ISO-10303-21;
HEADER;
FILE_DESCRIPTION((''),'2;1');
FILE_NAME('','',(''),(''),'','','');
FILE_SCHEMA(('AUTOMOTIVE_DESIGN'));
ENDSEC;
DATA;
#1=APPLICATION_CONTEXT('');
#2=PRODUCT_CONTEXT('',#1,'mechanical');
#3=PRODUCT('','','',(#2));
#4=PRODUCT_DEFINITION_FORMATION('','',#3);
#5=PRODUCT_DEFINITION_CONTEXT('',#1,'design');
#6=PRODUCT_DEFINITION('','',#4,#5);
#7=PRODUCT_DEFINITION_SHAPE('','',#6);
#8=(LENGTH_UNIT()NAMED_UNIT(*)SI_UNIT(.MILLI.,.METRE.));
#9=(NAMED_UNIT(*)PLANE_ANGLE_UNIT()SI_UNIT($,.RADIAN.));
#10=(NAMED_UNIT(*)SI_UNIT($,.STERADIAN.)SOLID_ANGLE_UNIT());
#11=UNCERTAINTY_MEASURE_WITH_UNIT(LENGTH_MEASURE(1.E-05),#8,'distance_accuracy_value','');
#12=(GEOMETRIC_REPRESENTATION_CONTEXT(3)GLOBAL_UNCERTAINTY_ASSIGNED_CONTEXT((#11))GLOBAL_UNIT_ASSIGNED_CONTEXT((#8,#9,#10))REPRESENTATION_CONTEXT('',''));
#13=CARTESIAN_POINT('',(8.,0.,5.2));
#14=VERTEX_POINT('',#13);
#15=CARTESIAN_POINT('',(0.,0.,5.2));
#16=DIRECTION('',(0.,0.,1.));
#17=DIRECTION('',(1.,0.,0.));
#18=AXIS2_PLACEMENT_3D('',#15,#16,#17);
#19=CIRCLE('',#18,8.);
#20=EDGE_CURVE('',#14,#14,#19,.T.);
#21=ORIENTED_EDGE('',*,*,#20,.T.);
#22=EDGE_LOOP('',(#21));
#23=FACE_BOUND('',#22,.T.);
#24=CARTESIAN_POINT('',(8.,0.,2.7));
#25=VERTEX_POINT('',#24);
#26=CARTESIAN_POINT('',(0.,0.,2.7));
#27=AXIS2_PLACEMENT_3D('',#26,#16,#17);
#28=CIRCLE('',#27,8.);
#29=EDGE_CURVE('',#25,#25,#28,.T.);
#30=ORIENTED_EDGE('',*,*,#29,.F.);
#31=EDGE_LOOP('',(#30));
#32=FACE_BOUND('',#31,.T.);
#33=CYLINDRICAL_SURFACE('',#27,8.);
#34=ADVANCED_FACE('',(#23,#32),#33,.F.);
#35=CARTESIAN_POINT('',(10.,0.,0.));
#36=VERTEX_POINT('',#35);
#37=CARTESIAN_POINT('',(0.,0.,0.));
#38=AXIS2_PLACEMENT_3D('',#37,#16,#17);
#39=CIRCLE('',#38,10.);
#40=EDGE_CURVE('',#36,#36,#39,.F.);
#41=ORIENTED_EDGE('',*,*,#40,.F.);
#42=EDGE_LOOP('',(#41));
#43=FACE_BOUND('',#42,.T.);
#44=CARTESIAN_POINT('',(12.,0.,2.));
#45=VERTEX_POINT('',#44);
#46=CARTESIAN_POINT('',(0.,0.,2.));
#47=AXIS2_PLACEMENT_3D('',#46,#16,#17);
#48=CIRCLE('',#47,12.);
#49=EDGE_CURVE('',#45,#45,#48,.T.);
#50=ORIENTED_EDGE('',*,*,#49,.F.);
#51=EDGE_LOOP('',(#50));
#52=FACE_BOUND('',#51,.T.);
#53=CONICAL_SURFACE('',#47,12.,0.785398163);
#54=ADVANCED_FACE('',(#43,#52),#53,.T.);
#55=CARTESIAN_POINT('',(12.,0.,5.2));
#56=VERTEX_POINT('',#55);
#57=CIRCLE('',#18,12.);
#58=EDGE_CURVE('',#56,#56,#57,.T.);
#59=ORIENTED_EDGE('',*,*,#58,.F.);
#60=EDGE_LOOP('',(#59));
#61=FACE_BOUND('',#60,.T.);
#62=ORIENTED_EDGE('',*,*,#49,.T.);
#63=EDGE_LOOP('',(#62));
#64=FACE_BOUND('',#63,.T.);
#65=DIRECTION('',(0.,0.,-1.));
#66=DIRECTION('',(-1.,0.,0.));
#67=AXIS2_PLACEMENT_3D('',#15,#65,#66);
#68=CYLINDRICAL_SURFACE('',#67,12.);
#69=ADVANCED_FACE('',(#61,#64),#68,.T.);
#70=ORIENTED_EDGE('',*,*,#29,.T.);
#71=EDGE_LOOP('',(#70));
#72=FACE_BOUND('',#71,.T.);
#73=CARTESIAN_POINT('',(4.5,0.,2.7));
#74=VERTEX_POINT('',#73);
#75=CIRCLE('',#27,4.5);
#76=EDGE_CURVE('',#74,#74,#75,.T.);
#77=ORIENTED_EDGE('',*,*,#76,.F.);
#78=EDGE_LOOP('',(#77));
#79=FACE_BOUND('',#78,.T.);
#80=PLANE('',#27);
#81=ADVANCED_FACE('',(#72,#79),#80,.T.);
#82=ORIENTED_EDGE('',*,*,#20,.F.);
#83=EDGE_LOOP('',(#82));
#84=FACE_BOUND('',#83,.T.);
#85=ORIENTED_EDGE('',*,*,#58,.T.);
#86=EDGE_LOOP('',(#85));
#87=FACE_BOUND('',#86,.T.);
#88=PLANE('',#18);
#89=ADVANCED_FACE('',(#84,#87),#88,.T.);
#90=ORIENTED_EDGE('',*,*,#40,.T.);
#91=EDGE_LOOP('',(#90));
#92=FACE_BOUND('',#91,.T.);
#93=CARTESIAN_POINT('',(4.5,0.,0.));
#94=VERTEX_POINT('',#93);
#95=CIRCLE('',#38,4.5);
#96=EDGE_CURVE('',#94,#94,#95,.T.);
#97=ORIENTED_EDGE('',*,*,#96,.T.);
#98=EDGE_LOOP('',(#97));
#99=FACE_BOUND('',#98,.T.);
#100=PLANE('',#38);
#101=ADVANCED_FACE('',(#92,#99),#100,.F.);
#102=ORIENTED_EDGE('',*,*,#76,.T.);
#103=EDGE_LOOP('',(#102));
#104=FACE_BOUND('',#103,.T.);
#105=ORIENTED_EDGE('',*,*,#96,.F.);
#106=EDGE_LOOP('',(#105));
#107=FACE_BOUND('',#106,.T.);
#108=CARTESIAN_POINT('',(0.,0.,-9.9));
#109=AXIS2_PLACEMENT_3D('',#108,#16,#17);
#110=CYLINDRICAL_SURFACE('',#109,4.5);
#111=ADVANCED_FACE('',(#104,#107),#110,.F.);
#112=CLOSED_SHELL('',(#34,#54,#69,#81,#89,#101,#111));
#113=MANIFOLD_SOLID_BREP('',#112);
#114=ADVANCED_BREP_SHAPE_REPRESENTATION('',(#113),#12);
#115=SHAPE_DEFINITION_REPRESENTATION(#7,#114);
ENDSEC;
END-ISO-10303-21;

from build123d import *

# Parameters (mm, degrees)
IZIM4_R                     = 12
Y_KSEKLIK_EKSTR_ZYON3_DEPTH = 5.2
IZIM6_R                     = 8
KES_EKSTR_ZYON2_DEPTH       = 2.5
IZIM7_R                     = 4.5
KES_EKSTR_ZYON3_DEPTH       = 12.6
PAH3_SIZE                   = 2


with BuildPart() as part:
    # Çizim4 → Yükseklik-Ekstrüzyon3 (new body)
    with BuildSketch(Plane.XY):
        Circle(IZIM4_R)
    extrude(amount=Y_KSEKLIK_EKSTR_ZYON3_DEPTH)

    # Çizim6 → Kes-Ekstrüzyon2 (cut)
    with BuildSketch(Plane.XY.offset(5.2)):
        Circle(IZIM6_R)
    extrude(amount=-KES_EKSTR_ZYON2_DEPTH, mode=Mode.SUBTRACT)

    # Çizim7 → Kes-Ekstrüzyon3 (cut)
    with BuildSketch(Plane.XY.offset(2.7)):
        Circle(IZIM7_R)
    extrude(amount=-KES_EKSTR_ZYON3_DEPTH, mode=Mode.SUBTRACT)

    # Pah3
    pah3_edges = [part.edges().sort_by_distance(p)[0] for p in [
        (-12, 0, 0),
    ]]
    chamfer(pah3_edges, length=PAH3_SIZE)


solid = part.part
